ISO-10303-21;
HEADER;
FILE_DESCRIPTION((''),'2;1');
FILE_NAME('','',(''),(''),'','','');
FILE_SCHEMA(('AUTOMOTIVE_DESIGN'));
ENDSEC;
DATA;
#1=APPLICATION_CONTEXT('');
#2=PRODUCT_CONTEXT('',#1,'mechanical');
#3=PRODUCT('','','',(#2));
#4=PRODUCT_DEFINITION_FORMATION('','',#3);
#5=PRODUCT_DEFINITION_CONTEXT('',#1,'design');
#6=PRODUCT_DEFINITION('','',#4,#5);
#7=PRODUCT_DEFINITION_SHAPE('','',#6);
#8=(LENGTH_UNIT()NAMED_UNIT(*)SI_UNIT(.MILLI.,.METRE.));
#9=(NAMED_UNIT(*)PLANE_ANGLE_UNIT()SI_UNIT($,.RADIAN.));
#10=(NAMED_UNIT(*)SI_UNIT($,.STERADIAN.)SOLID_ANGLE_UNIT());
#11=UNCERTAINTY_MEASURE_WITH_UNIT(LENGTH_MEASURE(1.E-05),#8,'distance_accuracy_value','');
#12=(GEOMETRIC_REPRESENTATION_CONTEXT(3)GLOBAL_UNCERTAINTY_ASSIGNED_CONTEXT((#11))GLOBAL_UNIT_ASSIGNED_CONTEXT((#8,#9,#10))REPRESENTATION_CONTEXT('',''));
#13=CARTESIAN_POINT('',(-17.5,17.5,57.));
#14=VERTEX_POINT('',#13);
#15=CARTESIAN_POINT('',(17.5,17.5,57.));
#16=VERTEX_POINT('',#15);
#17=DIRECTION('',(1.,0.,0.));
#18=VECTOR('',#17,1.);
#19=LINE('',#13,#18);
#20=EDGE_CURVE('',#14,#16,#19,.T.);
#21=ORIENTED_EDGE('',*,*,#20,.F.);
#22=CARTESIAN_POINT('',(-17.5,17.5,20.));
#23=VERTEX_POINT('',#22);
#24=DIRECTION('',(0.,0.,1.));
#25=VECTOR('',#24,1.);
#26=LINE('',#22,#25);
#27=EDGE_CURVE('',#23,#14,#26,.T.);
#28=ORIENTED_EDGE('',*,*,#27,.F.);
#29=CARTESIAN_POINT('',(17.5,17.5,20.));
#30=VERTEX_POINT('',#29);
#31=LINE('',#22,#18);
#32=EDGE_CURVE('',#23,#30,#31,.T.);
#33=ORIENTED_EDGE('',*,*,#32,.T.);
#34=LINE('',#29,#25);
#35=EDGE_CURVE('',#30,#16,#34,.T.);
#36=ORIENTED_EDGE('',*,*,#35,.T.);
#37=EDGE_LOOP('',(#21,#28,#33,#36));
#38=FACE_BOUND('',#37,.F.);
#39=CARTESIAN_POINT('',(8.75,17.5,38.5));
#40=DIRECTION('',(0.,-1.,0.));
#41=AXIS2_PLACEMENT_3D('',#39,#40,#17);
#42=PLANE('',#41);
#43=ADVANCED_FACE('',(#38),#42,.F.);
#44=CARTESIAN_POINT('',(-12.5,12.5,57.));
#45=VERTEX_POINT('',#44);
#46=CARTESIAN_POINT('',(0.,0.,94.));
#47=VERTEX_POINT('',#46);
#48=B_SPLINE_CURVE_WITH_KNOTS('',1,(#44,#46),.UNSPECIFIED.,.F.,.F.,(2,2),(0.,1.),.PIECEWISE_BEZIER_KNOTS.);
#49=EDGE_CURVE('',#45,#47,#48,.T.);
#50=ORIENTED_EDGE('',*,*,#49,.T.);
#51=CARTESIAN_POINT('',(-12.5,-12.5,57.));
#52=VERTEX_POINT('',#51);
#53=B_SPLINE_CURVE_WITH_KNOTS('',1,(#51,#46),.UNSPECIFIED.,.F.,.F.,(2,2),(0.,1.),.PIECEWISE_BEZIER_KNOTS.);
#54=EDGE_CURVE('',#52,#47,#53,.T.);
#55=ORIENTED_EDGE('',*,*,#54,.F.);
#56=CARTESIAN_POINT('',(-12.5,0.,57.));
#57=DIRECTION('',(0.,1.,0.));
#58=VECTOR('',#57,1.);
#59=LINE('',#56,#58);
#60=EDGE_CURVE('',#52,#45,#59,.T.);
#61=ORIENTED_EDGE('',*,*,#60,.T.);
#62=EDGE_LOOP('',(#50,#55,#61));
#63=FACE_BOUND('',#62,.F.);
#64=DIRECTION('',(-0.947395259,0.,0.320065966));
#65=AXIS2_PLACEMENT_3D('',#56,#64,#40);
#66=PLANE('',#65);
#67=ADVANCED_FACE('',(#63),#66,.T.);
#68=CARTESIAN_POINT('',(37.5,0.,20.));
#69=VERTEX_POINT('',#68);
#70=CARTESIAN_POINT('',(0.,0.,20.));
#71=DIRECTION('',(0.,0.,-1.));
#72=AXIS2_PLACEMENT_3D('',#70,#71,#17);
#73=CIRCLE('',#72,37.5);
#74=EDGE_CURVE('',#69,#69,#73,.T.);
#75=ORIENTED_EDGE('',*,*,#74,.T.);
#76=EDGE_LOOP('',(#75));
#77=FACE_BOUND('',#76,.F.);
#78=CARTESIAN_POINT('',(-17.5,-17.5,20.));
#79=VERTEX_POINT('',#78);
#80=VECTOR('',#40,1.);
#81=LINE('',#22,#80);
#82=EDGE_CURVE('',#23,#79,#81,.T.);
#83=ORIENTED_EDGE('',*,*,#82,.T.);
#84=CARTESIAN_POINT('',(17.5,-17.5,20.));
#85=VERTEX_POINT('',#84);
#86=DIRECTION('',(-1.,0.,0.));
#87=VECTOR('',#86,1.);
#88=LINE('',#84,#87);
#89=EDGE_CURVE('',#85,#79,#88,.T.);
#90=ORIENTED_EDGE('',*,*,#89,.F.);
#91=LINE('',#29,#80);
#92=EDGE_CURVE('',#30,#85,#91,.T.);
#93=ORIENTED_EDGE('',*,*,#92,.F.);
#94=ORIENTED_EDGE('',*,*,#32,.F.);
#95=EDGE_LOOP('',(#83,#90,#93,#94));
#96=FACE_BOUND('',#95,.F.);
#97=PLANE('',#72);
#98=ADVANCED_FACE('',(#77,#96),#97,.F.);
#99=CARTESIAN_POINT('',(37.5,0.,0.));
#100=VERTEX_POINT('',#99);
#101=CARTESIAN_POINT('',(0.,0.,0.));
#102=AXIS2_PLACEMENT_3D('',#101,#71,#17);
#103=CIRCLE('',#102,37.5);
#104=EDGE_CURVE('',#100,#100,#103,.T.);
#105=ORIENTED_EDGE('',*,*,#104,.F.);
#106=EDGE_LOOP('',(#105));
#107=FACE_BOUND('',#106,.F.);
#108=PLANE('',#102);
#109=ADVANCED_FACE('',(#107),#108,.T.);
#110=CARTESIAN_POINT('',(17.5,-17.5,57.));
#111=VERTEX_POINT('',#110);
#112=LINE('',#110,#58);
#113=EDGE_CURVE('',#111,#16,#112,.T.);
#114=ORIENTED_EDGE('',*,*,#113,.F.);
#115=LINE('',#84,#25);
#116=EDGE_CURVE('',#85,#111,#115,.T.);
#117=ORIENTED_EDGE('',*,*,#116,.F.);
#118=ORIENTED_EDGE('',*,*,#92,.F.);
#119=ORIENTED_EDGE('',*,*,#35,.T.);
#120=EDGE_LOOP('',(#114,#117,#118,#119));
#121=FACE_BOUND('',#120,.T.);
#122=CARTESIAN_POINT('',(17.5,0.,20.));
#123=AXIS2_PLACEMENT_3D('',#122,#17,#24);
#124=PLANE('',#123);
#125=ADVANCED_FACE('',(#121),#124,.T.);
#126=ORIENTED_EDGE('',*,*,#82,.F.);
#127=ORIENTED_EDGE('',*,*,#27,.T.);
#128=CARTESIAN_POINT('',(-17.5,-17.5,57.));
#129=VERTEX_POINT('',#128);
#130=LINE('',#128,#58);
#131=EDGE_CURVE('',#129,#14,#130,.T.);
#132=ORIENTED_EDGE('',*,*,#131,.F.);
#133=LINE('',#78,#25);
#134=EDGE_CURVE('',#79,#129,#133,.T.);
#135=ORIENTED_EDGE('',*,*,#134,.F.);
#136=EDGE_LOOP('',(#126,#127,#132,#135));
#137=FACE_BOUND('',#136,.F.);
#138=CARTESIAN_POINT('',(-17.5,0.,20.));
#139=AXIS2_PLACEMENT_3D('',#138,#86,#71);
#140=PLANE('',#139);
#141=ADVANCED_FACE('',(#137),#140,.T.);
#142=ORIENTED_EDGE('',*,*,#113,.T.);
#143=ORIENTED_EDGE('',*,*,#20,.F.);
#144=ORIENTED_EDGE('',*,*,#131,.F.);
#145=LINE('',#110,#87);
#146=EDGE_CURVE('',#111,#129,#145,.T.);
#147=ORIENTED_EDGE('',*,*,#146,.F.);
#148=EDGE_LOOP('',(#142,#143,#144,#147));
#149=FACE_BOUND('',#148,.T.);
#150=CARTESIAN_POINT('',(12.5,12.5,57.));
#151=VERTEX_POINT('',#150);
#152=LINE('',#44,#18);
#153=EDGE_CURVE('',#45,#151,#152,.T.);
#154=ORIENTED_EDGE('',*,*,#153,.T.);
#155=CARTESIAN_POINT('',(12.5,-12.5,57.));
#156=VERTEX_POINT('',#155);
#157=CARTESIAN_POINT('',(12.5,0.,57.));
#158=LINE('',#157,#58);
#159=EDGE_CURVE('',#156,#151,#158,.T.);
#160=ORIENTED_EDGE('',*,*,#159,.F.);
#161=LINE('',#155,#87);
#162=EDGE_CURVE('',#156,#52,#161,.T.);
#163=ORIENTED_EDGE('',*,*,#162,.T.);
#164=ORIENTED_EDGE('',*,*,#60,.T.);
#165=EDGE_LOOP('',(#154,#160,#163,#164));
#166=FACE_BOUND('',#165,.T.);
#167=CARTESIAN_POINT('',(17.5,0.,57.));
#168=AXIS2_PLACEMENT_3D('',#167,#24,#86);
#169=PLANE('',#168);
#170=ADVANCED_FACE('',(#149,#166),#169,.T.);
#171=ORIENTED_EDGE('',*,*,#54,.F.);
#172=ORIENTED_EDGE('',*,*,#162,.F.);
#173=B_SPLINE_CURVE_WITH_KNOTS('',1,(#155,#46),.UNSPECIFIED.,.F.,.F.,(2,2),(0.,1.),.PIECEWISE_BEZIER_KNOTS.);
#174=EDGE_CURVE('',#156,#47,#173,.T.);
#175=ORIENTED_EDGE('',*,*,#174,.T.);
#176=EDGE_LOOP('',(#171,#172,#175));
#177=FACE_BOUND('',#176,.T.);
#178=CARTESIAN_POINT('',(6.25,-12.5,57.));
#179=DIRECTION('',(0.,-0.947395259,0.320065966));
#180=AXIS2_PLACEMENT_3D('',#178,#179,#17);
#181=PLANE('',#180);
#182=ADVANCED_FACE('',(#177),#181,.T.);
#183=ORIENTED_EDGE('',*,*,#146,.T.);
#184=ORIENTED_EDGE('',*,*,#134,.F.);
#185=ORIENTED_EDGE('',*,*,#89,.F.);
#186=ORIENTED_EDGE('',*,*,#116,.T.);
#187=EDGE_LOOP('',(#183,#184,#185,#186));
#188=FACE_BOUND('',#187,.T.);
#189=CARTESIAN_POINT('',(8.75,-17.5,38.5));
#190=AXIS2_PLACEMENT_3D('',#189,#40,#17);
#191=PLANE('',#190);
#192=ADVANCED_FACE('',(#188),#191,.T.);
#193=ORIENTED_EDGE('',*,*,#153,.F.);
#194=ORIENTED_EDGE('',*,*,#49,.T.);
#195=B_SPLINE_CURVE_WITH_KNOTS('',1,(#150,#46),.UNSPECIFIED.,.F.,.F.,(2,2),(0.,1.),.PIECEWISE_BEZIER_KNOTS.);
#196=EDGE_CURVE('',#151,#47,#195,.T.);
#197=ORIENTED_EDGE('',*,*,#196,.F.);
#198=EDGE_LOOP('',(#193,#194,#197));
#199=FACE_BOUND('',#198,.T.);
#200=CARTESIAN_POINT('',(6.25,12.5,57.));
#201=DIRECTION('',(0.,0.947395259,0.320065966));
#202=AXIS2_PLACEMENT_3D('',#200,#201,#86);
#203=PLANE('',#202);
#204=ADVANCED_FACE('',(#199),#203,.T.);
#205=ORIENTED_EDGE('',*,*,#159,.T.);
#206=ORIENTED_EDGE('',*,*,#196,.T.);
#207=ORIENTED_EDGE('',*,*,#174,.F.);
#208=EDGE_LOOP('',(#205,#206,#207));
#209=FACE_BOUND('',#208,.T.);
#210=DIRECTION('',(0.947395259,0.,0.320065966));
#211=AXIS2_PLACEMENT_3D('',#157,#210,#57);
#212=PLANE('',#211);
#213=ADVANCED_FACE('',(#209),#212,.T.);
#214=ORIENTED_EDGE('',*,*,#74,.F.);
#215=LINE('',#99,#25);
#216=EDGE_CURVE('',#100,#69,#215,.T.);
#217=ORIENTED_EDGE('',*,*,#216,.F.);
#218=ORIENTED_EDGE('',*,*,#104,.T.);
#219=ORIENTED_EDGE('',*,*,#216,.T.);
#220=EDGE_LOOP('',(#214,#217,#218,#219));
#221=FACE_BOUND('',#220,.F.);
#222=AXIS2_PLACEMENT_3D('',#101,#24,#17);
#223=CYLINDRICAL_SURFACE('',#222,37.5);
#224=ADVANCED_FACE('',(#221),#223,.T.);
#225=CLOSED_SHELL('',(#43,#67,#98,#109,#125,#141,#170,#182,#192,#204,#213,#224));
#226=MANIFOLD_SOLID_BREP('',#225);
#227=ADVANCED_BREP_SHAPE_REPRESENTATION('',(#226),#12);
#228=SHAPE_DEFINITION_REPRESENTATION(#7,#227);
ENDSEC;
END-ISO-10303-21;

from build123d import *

# Parameters (mm, degrees)
F2_DEPTH = 17.5
F3_W     = 12.5
F3_H     = 25


with BuildPart() as f1:
    # F0 (on Front) → F1 (revolve)
    with BuildSketch(Plane.XZ):
        Polygon((0, 20), (0, 0), (37.5, 0), (37.5, 20), (17.5, 20), align=None)
    revolve(axis=Axis((0, 0, 47), (0, 0, -1)))

    # F0 (on Front) → F2 (join, symmetric)
    with BuildSketch(Plane.XZ):
        Polygon((0, 57), (0, 20), (17.5, 20), (17.5, 57), (12.5, 57), align=None)
    extrude(amount=F2_DEPTH, both=True)

    # F3 (on face) → F6 section 0
    with BuildSketch(Plane.XY.offset(57), mode=Mode.PRIVATE) as f6_s0:
        with Locations((6.25, 0)):
            Rectangle(F3_W, F3_H)
    loft([f6_s0.sketch, Vertex(0, 0, 94)])

    # F7: F1 across plane


with BuildPart() as f1_1:
    add(f1.part)
    add(f1.part.mirror(Plane.YZ))


solid = f1_1.part
